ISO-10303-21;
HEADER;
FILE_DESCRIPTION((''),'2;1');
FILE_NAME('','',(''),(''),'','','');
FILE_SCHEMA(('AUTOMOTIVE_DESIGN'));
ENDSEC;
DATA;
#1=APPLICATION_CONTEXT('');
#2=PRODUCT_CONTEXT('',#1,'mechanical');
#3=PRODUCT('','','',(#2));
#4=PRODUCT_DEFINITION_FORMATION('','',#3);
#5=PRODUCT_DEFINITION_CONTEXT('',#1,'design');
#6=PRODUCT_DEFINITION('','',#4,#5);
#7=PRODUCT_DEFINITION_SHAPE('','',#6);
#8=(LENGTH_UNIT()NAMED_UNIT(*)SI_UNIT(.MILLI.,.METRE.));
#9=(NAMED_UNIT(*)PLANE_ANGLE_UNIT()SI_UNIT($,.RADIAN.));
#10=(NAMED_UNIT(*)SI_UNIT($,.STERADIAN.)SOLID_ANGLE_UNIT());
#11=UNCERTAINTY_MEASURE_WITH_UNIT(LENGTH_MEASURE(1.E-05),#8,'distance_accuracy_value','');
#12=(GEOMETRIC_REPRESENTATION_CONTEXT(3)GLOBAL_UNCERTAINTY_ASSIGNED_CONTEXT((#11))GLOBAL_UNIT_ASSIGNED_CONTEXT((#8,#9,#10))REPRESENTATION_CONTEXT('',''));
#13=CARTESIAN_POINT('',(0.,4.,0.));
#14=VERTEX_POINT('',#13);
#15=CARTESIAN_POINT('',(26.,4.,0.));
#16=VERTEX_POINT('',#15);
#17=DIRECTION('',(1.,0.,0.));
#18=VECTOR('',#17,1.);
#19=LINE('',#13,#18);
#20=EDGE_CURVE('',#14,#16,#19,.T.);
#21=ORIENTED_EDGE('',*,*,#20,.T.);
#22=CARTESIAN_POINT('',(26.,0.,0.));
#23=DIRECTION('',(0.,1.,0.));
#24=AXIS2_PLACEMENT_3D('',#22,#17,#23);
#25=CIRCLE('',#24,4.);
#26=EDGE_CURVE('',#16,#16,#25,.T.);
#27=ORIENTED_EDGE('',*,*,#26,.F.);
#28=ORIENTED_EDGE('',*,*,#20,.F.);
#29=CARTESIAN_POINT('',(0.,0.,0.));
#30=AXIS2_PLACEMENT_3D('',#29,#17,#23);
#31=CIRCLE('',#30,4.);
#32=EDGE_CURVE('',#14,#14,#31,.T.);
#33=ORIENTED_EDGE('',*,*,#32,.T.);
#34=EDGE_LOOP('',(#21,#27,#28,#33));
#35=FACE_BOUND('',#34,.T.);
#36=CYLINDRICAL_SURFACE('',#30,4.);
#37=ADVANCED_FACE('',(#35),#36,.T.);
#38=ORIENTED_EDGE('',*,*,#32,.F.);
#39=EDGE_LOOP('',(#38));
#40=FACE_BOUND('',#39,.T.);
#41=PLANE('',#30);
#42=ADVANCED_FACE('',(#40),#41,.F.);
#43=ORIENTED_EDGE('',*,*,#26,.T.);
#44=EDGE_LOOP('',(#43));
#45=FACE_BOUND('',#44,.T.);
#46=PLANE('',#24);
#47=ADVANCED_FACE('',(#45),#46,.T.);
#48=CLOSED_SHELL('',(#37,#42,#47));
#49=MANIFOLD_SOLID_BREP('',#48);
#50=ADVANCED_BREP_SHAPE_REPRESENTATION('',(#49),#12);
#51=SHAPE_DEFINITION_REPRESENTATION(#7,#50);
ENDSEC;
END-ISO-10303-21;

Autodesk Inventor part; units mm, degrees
ref_plane "Start Plane" through (0, 0, 0) normal (1, 0, 0) x (0, 1, 0)
ref_plane "XZ Plane" through (0, 0, 0) normal (0, 1, 0) x (-1, 0, 0)
ref_plane "XY Plane" through (0, 0, 0) normal (0, 0, 1) x (1, 0, 0)
sketch "Main Sketch" plane through (0, 0, 0) normal (0, 0, 1) x (1, 0, 0)
  line L0 (0, 0) -> (26, 0)
  line L1 (0, 0) -> (0, 4)
  line L2 (26, 4) -> (26, 0)
  line L3 (0, 4) -> (26, 4)
  dimension "d3" = 8
revolve "Revolution1" add sketch "Main Sketch" angle 360 about axis through (0, 0, 0) along (1, 0, 0)
properties part number "Shaft" material "Steel"
